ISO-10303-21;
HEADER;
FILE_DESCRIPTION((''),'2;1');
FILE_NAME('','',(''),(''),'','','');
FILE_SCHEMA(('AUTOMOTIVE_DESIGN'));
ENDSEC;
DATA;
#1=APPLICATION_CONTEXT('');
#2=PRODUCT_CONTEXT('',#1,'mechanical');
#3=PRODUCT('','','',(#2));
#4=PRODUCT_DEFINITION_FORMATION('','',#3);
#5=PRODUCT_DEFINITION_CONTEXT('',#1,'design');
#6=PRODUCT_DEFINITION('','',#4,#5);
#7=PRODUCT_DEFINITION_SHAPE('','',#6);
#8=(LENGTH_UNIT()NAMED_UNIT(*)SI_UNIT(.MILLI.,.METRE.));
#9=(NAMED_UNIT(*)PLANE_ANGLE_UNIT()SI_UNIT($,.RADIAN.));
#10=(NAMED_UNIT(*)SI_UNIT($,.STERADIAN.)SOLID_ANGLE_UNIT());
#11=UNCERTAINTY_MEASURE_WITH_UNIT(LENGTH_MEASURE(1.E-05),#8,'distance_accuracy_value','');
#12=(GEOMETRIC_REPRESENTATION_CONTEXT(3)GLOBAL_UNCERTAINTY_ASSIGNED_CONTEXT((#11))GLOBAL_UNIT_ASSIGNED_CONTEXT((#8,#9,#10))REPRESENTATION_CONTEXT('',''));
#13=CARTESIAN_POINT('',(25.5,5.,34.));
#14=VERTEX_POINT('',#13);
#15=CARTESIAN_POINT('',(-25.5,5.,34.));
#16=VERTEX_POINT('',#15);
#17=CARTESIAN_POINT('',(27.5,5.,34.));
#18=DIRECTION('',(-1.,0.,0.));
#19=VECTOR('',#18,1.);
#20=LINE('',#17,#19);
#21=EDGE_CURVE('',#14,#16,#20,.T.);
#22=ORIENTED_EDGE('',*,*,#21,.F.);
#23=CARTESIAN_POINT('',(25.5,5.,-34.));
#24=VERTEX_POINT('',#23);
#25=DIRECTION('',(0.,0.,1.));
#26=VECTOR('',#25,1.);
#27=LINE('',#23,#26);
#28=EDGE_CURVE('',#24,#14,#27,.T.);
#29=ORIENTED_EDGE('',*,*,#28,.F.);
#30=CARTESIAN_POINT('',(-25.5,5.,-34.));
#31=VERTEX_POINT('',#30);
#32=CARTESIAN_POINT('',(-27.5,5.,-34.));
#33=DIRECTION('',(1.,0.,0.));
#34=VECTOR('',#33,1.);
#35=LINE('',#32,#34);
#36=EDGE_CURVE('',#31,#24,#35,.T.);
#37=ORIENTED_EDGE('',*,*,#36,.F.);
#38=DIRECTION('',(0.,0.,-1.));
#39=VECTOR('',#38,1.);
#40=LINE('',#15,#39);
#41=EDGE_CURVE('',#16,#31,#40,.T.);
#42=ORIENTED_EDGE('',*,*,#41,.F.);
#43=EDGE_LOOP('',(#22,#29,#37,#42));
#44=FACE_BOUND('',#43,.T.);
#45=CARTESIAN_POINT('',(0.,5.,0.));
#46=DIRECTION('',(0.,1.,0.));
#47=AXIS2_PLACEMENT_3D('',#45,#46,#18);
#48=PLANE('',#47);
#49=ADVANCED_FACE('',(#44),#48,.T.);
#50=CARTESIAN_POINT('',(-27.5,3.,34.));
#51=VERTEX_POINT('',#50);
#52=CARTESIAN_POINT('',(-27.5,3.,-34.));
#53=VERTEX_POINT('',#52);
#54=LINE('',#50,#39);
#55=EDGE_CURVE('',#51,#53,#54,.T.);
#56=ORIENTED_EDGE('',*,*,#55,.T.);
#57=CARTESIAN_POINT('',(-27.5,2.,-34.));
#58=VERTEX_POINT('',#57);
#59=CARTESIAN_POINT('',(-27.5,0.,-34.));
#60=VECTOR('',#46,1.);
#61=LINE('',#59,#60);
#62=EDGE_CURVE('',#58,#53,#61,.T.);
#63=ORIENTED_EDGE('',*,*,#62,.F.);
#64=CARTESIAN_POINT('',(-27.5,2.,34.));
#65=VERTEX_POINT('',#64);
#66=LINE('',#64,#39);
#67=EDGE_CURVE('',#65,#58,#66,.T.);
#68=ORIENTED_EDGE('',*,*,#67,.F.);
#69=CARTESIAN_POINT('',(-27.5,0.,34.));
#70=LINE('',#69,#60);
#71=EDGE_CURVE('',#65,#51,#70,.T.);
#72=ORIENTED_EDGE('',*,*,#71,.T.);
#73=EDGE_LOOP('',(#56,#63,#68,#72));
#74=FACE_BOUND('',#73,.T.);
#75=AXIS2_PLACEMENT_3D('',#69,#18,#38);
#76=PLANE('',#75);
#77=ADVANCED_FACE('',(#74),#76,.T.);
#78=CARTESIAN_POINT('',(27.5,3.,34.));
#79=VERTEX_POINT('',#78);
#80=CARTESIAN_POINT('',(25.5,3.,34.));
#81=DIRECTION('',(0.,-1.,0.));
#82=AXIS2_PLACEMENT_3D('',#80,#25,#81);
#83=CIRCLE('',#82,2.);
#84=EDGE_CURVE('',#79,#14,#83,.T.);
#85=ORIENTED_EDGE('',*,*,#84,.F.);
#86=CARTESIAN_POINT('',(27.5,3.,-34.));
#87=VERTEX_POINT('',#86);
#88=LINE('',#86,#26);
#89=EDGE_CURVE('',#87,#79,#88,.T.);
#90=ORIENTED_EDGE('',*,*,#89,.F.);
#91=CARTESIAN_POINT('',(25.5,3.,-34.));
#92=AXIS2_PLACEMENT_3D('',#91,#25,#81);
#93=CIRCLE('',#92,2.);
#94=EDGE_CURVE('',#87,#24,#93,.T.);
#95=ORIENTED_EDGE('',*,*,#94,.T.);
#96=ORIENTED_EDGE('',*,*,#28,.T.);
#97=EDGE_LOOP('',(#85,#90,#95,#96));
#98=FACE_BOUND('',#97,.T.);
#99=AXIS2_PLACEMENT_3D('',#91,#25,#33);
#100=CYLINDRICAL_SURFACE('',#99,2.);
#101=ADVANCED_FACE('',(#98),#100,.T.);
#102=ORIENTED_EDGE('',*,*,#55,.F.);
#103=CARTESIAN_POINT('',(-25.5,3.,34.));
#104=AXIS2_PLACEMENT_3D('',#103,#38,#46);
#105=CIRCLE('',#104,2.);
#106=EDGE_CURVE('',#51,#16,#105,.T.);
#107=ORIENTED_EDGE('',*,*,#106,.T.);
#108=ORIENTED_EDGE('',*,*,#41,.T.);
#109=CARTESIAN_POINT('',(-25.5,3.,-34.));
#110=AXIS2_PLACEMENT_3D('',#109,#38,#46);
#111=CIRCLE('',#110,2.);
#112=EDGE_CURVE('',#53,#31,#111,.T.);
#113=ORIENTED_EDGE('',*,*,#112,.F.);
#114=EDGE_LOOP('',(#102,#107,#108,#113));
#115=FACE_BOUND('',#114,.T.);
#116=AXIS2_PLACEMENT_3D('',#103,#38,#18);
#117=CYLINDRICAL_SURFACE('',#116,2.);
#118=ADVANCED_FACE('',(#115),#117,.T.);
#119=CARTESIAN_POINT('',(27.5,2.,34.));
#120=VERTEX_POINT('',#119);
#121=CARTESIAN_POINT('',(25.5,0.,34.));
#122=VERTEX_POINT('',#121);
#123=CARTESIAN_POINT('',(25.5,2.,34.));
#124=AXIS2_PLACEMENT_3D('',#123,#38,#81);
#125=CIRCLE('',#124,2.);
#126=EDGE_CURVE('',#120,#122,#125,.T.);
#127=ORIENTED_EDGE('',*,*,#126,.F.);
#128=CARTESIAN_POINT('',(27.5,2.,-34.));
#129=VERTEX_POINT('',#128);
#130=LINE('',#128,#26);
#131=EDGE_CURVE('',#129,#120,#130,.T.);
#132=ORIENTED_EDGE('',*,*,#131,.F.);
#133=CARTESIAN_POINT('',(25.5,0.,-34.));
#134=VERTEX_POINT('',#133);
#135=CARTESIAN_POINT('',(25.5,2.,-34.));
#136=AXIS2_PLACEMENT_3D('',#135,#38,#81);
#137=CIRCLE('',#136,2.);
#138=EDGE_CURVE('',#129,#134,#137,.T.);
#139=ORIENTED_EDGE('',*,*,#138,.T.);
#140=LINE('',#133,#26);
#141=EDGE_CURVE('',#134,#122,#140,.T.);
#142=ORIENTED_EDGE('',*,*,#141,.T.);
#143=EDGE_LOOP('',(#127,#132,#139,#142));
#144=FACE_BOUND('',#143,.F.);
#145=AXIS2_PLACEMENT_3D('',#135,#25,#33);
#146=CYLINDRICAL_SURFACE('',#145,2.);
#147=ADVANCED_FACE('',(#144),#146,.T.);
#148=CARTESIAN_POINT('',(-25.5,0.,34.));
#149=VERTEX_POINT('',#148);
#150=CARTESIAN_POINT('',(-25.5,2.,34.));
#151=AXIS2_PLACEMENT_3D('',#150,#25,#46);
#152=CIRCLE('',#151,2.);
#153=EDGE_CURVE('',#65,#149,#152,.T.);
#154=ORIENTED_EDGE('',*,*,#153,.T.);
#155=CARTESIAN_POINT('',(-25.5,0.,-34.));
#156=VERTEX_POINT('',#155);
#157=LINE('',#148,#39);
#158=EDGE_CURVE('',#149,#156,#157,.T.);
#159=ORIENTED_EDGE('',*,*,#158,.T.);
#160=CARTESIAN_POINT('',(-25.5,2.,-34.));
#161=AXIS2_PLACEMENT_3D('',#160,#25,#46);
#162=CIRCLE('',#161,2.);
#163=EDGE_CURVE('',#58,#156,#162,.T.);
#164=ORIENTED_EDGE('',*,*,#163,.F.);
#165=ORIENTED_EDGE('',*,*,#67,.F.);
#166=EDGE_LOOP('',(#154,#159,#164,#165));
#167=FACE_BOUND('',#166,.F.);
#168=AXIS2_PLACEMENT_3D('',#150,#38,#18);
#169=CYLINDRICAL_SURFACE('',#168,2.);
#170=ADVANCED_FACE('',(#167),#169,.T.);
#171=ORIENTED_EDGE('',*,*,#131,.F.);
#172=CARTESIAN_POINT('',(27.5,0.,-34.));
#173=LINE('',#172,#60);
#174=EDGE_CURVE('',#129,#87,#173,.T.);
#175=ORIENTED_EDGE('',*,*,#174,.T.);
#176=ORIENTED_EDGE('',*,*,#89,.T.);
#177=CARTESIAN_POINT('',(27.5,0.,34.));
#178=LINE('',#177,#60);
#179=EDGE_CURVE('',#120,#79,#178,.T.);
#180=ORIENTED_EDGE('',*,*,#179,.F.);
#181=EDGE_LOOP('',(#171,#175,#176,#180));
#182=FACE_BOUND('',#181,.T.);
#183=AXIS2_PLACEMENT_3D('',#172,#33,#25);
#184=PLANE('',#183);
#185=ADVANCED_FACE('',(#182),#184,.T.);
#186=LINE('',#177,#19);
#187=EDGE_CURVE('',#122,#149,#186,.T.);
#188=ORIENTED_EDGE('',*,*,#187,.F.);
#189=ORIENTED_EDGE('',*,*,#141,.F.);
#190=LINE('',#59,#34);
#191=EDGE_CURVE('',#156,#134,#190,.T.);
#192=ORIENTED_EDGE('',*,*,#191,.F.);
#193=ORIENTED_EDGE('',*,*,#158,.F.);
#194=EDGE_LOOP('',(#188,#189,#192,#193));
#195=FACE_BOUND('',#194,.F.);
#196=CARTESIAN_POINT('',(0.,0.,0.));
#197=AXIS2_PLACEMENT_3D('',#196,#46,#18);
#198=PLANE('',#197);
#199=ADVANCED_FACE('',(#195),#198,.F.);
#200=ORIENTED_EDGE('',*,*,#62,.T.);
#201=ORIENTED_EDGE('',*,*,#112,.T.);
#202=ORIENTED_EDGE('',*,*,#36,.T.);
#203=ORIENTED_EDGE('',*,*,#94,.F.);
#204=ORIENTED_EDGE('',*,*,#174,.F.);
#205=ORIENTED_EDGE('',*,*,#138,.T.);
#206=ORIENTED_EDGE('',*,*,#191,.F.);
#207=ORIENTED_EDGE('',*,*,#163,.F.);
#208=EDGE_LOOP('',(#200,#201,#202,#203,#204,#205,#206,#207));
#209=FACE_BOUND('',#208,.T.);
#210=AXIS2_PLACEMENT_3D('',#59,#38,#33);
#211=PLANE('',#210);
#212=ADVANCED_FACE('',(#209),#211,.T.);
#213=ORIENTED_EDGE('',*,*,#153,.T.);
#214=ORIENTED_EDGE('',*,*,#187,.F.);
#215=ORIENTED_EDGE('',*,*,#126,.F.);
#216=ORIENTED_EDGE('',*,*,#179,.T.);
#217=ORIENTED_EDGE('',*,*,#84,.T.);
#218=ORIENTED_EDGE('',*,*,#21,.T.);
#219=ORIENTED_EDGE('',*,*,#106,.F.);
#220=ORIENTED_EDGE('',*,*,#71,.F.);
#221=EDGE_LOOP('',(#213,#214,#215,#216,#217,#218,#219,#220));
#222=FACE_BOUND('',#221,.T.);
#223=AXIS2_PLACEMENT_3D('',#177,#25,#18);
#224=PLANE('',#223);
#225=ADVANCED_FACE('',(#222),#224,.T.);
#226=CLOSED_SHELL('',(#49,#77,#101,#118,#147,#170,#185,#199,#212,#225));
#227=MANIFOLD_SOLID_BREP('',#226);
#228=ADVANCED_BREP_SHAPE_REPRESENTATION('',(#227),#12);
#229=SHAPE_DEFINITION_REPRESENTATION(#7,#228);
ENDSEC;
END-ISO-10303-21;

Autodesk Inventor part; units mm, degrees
ref_plane "YZ Plane" through (0, 0, 0) normal (1, 0, 0) x (0, 1, 0)
ref_plane "XZ Plane" through (0, 0, 0) normal (0, 1, 0) x (-1, 0, 0)
ref_plane "XY Plane" through (0, 0, 0) normal (0, 0, 1) x (1, 0, 0)
sketch "Szkic1" plane through (0, 0, 0) normal (0, 1, 0) x (-1, 0, 0)
  line L0 (-27.5, 34) -> (27.5, 34)
  line L1 (27.5, 34) -> (27.5, -34)
  line L2 (27.5, -34) -> (-27.5, -34)
  line L3 (-27.5, -34) -> (-27.5, 34)
  line L4 (-27.5, 34) -> (27.5, -34) construction
  line L5 (27.5, 34) -> (-27.5, -34) construction
  point P0 (0, 0)
  dimension "d0" = 55
  dimension "d1" = 68
extrude "Wyciągnięcie proste1" add sketch "Szkic1" along normal blind 5
fillet "Zaokrąglenie1" radius 2 4 edges at (27.5, 5, 0) (27.5, 0, 0) (-27.5, 0, 0) (-27.5, 5, 0)
properties part number "Battery_prop"
